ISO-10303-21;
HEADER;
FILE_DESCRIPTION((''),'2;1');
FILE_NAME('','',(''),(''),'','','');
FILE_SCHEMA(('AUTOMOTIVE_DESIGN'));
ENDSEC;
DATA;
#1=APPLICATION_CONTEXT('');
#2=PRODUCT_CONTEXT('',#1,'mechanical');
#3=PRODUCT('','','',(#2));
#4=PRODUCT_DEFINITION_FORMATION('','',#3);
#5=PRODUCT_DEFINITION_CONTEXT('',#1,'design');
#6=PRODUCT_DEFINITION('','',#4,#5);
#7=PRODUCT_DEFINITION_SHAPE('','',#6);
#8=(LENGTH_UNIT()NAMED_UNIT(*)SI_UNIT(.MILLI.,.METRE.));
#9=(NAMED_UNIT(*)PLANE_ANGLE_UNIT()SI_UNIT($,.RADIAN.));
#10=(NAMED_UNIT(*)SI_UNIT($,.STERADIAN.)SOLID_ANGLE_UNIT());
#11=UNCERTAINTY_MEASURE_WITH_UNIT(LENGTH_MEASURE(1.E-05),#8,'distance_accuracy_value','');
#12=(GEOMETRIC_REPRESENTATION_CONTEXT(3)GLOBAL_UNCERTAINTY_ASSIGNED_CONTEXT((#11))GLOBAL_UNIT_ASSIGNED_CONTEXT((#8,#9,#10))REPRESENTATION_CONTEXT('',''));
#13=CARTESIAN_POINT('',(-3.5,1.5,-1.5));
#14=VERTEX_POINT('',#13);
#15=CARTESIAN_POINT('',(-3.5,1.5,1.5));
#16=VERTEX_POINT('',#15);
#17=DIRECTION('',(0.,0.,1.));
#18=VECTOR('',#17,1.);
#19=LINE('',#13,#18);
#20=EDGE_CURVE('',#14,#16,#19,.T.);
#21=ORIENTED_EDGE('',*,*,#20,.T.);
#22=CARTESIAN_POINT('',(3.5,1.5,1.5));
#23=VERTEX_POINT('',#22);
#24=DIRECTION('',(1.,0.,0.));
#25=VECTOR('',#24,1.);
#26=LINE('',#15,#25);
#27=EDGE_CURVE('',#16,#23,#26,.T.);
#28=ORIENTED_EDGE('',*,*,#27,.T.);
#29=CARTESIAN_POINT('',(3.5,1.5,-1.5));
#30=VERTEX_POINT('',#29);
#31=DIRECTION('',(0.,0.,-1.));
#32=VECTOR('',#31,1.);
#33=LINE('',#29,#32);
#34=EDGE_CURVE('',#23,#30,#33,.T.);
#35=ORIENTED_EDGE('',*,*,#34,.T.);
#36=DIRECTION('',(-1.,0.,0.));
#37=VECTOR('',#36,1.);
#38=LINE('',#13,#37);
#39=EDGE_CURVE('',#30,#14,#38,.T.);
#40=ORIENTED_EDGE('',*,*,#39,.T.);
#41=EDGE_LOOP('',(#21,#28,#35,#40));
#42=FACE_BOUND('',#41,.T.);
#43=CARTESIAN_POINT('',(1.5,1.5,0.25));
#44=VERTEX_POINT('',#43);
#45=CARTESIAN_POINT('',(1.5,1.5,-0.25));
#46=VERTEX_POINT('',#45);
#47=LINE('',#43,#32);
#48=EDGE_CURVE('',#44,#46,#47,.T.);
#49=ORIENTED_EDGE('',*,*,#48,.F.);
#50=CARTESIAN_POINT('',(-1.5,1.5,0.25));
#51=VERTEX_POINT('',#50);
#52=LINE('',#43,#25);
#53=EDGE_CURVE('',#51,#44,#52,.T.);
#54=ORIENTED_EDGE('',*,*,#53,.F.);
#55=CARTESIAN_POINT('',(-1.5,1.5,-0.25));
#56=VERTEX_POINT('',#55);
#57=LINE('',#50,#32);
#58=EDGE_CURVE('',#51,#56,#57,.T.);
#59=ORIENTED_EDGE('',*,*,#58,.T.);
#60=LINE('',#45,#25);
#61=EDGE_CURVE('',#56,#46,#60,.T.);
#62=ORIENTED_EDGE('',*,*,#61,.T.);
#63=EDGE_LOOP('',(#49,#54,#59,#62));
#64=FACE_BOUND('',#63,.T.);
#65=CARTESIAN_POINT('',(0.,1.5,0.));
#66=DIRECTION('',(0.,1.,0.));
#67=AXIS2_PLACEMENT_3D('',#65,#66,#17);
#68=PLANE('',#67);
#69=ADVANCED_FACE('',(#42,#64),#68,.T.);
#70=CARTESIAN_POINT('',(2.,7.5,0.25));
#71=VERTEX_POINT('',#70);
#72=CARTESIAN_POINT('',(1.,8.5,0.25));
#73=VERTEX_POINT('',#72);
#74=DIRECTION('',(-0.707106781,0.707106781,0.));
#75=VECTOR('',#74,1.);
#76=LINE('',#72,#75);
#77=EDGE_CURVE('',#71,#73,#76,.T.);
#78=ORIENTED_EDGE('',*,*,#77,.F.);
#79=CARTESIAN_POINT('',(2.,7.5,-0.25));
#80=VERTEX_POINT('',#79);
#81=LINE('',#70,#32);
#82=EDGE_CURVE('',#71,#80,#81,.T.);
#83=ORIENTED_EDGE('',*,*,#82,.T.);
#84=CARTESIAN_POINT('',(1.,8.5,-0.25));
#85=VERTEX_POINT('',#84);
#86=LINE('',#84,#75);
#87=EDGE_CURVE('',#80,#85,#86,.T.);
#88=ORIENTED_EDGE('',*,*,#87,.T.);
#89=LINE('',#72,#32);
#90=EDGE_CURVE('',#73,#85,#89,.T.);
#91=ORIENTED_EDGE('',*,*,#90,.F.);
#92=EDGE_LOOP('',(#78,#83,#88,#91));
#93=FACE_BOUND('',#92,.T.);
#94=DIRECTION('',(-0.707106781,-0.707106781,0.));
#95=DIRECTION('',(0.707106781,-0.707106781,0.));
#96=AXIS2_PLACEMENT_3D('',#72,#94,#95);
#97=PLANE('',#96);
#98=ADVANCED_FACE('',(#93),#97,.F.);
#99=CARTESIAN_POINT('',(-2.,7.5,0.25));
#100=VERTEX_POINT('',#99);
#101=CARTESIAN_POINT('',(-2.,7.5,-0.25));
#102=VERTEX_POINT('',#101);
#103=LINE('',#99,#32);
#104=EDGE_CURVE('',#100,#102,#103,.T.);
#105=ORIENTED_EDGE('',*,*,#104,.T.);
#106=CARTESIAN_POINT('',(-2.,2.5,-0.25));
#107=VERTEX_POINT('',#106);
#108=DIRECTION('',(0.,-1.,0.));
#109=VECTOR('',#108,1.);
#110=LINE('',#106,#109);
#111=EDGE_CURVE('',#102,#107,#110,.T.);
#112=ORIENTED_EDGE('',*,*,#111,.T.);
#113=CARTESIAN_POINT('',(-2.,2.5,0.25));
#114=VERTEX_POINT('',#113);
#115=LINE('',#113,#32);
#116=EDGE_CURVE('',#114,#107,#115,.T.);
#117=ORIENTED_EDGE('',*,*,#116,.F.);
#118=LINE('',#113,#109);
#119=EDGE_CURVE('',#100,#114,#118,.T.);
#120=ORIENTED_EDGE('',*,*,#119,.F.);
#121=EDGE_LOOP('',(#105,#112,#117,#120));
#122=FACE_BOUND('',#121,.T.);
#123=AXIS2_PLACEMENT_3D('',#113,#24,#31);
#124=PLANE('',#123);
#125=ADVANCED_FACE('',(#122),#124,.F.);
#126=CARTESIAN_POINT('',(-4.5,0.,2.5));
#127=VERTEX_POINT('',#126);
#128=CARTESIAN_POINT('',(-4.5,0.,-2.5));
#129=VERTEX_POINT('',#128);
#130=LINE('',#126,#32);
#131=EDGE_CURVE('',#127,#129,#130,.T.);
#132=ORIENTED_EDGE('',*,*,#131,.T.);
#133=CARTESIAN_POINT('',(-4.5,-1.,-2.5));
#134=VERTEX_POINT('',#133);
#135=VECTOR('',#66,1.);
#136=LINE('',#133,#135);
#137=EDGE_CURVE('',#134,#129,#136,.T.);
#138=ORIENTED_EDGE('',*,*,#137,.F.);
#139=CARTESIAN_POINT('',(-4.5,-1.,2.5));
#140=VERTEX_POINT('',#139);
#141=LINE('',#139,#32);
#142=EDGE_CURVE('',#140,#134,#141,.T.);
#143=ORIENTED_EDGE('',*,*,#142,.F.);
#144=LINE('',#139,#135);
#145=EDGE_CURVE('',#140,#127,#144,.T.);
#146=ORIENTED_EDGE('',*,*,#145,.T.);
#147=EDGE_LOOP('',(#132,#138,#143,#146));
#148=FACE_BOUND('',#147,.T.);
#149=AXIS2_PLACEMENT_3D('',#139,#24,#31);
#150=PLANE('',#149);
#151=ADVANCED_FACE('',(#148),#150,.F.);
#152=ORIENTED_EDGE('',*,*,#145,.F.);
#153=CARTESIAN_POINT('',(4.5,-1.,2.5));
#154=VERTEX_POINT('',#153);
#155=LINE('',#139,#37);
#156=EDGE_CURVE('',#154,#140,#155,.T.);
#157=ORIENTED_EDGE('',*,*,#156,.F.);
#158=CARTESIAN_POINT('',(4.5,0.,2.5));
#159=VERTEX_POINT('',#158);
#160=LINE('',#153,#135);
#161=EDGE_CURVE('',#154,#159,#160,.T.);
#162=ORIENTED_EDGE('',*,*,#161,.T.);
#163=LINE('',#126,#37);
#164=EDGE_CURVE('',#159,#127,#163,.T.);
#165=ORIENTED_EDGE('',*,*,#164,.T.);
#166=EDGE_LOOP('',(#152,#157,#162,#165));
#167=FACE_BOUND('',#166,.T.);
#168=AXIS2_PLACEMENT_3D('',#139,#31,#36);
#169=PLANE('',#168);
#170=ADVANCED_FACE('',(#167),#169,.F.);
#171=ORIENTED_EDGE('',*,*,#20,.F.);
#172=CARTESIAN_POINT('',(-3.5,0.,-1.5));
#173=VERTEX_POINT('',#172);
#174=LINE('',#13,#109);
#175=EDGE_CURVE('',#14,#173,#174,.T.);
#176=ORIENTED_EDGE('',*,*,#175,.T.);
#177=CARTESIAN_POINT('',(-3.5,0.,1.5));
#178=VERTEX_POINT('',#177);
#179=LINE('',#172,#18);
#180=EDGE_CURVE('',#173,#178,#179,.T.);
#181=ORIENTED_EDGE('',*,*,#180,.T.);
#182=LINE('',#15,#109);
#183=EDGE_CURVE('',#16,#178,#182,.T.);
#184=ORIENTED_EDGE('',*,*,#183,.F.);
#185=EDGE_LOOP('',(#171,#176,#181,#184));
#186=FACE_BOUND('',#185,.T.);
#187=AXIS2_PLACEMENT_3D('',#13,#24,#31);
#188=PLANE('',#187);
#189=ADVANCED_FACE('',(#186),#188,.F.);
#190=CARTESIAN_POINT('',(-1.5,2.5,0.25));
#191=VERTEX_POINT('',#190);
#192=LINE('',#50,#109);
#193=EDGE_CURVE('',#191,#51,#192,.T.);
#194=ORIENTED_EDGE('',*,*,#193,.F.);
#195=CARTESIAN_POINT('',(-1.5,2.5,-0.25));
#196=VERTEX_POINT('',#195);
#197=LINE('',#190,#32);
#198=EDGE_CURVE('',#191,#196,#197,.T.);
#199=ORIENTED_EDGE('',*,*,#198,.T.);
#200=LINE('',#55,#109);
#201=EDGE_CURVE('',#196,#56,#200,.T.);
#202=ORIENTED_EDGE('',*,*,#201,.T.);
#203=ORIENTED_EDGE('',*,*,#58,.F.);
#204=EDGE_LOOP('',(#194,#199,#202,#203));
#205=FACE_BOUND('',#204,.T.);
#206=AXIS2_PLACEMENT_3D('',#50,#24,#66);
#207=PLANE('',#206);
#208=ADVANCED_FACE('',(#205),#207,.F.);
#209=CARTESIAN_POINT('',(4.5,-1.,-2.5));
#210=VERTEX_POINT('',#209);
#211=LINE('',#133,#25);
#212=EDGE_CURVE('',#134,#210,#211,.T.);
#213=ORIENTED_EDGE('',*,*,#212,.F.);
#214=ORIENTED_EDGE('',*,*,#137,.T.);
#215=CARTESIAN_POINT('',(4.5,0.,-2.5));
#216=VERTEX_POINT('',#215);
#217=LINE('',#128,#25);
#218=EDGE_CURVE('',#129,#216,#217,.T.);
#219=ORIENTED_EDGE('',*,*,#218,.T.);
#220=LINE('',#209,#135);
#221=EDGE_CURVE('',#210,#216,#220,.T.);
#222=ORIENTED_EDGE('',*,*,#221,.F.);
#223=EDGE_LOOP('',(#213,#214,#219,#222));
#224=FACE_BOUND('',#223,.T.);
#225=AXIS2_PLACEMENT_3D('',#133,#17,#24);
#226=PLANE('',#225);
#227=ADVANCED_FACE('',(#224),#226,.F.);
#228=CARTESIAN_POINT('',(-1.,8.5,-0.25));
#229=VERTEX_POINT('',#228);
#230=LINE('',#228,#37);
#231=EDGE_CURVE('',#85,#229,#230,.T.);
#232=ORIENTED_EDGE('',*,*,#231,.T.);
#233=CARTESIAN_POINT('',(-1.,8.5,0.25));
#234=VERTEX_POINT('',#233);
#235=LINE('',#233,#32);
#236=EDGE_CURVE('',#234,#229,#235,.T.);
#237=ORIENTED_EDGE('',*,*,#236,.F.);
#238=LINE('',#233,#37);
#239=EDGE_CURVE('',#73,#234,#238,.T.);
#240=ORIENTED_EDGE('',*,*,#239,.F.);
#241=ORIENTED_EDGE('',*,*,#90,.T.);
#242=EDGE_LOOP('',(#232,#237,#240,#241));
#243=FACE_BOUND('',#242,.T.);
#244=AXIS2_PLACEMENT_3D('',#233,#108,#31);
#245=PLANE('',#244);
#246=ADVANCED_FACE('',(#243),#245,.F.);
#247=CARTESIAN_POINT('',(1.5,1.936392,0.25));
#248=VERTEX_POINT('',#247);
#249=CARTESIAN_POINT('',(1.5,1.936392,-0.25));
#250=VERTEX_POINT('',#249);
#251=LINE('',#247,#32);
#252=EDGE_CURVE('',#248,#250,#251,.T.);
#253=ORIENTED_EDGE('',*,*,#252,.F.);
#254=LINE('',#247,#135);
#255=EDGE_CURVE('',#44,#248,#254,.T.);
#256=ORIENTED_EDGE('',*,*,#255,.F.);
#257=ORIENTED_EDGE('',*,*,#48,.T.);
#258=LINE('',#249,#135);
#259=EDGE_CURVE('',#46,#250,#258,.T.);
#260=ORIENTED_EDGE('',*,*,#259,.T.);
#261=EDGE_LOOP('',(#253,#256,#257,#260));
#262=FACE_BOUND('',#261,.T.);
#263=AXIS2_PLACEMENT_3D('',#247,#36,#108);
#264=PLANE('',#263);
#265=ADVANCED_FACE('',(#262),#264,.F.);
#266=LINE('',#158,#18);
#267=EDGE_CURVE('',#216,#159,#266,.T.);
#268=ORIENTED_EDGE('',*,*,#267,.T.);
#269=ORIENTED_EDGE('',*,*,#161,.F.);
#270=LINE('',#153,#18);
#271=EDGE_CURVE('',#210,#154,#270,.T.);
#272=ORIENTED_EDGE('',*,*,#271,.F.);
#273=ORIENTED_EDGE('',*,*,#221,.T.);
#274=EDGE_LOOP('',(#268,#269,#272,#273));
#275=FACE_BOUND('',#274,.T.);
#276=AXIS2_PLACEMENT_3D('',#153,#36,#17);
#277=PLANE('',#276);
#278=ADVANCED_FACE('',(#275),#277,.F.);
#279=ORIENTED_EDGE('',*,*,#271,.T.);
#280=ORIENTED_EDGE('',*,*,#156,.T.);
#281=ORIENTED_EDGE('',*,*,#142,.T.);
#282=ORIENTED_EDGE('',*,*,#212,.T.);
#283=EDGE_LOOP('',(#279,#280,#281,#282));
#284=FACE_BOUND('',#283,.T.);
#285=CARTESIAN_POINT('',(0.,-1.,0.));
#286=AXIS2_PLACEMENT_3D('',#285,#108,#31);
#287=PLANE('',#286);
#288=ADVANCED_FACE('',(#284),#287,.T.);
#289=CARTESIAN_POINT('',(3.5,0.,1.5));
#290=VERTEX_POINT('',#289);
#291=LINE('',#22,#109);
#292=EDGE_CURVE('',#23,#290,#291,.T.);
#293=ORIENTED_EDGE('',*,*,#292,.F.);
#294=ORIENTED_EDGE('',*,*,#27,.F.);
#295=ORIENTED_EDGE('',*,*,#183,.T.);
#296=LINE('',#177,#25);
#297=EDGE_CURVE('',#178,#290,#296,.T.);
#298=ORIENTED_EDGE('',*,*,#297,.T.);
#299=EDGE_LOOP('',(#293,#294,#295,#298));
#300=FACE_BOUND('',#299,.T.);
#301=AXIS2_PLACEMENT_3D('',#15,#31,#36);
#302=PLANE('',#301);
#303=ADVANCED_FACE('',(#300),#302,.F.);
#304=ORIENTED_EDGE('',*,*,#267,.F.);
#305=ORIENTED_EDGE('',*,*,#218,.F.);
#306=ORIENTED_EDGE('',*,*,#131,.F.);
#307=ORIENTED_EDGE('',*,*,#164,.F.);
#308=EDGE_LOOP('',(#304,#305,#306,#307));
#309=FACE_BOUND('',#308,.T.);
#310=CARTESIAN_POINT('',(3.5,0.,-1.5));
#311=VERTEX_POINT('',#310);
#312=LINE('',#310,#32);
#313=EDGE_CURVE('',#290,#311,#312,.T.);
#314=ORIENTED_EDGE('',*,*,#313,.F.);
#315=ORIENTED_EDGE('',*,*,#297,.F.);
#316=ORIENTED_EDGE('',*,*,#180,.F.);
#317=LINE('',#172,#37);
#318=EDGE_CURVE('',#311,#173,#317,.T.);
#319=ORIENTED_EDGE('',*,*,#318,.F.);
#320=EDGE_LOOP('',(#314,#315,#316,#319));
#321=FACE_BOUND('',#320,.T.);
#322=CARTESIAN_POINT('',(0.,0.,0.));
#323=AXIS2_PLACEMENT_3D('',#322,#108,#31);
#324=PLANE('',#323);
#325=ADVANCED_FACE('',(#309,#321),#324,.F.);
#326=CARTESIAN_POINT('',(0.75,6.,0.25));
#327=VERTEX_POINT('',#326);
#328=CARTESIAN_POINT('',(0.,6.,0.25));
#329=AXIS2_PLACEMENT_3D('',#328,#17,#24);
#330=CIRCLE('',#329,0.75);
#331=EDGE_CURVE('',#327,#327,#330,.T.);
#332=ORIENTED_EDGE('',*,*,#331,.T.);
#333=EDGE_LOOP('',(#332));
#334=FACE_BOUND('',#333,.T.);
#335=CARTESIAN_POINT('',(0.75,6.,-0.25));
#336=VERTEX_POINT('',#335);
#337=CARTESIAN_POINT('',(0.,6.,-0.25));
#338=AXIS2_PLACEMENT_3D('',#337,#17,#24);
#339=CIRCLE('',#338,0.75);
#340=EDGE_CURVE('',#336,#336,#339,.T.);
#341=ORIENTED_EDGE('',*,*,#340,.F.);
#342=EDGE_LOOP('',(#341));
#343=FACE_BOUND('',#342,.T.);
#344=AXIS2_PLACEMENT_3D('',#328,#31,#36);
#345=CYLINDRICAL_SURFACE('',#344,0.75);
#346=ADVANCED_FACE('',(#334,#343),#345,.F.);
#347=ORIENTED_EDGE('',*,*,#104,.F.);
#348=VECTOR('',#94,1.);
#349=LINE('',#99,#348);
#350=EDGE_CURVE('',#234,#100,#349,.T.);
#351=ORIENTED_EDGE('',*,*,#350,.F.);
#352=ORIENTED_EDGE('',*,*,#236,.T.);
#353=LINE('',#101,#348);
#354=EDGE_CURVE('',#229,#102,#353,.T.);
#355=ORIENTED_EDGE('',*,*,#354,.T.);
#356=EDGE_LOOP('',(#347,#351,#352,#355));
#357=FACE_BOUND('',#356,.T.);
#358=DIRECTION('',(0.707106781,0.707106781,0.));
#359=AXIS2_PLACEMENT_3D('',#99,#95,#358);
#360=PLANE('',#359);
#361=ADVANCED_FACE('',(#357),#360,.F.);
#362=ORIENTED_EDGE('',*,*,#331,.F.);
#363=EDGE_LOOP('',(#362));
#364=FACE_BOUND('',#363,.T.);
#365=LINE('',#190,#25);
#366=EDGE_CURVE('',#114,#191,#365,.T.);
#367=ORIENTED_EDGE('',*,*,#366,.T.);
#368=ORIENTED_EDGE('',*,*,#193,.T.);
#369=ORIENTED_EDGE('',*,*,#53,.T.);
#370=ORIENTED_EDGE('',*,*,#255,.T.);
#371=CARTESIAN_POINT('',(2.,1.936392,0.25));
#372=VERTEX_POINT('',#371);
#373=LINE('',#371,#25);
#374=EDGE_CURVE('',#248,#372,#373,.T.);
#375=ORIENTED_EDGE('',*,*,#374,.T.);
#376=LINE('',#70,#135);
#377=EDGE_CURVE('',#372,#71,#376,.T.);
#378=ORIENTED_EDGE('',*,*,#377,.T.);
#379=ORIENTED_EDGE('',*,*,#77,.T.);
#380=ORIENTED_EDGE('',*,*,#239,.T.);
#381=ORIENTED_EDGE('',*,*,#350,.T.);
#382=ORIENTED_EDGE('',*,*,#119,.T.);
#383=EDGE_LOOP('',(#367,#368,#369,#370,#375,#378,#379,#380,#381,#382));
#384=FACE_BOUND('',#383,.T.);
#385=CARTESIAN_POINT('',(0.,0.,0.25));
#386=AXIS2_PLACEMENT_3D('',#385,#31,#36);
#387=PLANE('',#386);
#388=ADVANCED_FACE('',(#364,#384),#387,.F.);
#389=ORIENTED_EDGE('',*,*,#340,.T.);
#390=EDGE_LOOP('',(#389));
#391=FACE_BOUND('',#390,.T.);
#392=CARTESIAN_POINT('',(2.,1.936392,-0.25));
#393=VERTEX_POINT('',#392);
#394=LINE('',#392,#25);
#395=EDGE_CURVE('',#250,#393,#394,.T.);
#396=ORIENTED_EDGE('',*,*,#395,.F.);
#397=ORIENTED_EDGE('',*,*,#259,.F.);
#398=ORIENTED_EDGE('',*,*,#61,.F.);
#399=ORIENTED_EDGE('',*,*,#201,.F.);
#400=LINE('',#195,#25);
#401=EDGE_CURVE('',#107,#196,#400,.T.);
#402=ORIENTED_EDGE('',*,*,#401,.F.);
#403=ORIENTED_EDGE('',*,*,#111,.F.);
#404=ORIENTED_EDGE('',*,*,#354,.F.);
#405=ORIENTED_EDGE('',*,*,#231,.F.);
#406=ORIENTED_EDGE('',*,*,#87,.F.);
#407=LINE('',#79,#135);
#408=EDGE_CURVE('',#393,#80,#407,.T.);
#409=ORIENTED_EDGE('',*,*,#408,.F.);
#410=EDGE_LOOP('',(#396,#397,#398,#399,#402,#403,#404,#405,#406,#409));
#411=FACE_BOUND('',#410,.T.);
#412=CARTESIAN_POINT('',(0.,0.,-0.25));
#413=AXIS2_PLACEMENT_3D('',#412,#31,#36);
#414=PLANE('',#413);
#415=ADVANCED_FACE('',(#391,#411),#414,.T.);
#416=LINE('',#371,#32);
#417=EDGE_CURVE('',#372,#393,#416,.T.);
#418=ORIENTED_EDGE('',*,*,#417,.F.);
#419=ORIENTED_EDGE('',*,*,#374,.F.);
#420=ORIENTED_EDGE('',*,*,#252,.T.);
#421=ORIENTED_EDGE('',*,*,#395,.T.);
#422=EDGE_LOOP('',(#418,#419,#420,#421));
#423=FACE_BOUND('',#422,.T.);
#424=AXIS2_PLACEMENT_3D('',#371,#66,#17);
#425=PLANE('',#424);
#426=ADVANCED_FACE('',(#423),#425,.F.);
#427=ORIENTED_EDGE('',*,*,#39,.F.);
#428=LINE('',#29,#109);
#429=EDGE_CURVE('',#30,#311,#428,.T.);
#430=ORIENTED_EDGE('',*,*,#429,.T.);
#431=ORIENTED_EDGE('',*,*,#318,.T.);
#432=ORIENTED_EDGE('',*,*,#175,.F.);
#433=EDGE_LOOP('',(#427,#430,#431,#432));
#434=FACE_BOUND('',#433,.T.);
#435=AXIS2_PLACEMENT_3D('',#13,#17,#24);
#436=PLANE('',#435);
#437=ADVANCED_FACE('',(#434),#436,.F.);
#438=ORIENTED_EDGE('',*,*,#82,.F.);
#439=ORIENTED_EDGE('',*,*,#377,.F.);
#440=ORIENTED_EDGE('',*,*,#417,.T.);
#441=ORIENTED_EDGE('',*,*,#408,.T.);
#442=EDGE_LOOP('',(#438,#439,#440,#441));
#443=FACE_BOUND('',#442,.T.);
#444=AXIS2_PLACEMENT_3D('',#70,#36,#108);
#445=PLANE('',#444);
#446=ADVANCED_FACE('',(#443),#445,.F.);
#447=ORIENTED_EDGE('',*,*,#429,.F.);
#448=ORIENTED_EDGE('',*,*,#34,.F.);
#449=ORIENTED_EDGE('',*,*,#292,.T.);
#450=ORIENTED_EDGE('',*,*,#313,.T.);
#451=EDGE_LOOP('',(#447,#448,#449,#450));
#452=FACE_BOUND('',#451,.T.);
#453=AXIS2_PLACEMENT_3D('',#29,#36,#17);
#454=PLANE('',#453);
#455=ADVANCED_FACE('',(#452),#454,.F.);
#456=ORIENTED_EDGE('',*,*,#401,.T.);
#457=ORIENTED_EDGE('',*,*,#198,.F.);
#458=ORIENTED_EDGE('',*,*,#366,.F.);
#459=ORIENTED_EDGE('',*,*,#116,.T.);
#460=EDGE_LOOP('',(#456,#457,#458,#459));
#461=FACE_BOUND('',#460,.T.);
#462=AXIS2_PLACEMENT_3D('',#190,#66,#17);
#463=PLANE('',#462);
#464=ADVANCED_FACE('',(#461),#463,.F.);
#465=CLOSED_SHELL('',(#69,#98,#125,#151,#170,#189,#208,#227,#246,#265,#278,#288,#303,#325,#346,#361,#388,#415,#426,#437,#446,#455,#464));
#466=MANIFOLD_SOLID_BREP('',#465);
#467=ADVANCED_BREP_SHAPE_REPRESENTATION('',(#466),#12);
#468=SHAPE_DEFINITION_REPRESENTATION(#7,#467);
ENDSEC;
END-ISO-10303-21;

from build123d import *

# Parameters (mm, degrees)
SKETCH1_W           = 7
SKETCH1_H           = 3
BOSS_EXTRUDE1_DEPTH = 1.5
SKETCH2_W           = 9
SKETCH2_H           = 5
BOSS_EXTRUDE2_DEPTH = 1
SKETCH3_R           = 0.75
BOSS_EXTRUDE3_DEPTH = 0.25


with BuildPart() as part:
    # Sketch1 → Boss-Extrude1 (new body)
    with BuildSketch(Plane(origin=(0, 0, 0), x_dir=(1, 0, 0), z_dir=(0, 1, 0))):
        Rectangle(SKETCH1_W, SKETCH1_H)
    extrude(amount=BOSS_EXTRUDE1_DEPTH)

    # Sketch2 → Boss-Extrude2 (add)
    with BuildSketch(Plane.XZ):
        Rectangle(SKETCH2_W, SKETCH2_H)
    extrude(amount=BOSS_EXTRUDE2_DEPTH)

    # Sketch3 → Boss-Extrude3 (add, symmetric)
    with BuildSketch(Plane.XY):
        Polygon((-1.5, 1.5), (-1.5, 2.5), (-2, 2.5), (-2, 7.5), (-1, 8.5), (1, 8.5), (2, 7.5), (2, 1.936391511), (1.5, 1.936391511), (1.5, 1.5), align=None)
        with Locations((0, 6)):
            Circle(SKETCH3_R, mode=Mode.SUBTRACT)
    extrude(amount=BOSS_EXTRUDE3_DEPTH, both=True)


solid = part.part
